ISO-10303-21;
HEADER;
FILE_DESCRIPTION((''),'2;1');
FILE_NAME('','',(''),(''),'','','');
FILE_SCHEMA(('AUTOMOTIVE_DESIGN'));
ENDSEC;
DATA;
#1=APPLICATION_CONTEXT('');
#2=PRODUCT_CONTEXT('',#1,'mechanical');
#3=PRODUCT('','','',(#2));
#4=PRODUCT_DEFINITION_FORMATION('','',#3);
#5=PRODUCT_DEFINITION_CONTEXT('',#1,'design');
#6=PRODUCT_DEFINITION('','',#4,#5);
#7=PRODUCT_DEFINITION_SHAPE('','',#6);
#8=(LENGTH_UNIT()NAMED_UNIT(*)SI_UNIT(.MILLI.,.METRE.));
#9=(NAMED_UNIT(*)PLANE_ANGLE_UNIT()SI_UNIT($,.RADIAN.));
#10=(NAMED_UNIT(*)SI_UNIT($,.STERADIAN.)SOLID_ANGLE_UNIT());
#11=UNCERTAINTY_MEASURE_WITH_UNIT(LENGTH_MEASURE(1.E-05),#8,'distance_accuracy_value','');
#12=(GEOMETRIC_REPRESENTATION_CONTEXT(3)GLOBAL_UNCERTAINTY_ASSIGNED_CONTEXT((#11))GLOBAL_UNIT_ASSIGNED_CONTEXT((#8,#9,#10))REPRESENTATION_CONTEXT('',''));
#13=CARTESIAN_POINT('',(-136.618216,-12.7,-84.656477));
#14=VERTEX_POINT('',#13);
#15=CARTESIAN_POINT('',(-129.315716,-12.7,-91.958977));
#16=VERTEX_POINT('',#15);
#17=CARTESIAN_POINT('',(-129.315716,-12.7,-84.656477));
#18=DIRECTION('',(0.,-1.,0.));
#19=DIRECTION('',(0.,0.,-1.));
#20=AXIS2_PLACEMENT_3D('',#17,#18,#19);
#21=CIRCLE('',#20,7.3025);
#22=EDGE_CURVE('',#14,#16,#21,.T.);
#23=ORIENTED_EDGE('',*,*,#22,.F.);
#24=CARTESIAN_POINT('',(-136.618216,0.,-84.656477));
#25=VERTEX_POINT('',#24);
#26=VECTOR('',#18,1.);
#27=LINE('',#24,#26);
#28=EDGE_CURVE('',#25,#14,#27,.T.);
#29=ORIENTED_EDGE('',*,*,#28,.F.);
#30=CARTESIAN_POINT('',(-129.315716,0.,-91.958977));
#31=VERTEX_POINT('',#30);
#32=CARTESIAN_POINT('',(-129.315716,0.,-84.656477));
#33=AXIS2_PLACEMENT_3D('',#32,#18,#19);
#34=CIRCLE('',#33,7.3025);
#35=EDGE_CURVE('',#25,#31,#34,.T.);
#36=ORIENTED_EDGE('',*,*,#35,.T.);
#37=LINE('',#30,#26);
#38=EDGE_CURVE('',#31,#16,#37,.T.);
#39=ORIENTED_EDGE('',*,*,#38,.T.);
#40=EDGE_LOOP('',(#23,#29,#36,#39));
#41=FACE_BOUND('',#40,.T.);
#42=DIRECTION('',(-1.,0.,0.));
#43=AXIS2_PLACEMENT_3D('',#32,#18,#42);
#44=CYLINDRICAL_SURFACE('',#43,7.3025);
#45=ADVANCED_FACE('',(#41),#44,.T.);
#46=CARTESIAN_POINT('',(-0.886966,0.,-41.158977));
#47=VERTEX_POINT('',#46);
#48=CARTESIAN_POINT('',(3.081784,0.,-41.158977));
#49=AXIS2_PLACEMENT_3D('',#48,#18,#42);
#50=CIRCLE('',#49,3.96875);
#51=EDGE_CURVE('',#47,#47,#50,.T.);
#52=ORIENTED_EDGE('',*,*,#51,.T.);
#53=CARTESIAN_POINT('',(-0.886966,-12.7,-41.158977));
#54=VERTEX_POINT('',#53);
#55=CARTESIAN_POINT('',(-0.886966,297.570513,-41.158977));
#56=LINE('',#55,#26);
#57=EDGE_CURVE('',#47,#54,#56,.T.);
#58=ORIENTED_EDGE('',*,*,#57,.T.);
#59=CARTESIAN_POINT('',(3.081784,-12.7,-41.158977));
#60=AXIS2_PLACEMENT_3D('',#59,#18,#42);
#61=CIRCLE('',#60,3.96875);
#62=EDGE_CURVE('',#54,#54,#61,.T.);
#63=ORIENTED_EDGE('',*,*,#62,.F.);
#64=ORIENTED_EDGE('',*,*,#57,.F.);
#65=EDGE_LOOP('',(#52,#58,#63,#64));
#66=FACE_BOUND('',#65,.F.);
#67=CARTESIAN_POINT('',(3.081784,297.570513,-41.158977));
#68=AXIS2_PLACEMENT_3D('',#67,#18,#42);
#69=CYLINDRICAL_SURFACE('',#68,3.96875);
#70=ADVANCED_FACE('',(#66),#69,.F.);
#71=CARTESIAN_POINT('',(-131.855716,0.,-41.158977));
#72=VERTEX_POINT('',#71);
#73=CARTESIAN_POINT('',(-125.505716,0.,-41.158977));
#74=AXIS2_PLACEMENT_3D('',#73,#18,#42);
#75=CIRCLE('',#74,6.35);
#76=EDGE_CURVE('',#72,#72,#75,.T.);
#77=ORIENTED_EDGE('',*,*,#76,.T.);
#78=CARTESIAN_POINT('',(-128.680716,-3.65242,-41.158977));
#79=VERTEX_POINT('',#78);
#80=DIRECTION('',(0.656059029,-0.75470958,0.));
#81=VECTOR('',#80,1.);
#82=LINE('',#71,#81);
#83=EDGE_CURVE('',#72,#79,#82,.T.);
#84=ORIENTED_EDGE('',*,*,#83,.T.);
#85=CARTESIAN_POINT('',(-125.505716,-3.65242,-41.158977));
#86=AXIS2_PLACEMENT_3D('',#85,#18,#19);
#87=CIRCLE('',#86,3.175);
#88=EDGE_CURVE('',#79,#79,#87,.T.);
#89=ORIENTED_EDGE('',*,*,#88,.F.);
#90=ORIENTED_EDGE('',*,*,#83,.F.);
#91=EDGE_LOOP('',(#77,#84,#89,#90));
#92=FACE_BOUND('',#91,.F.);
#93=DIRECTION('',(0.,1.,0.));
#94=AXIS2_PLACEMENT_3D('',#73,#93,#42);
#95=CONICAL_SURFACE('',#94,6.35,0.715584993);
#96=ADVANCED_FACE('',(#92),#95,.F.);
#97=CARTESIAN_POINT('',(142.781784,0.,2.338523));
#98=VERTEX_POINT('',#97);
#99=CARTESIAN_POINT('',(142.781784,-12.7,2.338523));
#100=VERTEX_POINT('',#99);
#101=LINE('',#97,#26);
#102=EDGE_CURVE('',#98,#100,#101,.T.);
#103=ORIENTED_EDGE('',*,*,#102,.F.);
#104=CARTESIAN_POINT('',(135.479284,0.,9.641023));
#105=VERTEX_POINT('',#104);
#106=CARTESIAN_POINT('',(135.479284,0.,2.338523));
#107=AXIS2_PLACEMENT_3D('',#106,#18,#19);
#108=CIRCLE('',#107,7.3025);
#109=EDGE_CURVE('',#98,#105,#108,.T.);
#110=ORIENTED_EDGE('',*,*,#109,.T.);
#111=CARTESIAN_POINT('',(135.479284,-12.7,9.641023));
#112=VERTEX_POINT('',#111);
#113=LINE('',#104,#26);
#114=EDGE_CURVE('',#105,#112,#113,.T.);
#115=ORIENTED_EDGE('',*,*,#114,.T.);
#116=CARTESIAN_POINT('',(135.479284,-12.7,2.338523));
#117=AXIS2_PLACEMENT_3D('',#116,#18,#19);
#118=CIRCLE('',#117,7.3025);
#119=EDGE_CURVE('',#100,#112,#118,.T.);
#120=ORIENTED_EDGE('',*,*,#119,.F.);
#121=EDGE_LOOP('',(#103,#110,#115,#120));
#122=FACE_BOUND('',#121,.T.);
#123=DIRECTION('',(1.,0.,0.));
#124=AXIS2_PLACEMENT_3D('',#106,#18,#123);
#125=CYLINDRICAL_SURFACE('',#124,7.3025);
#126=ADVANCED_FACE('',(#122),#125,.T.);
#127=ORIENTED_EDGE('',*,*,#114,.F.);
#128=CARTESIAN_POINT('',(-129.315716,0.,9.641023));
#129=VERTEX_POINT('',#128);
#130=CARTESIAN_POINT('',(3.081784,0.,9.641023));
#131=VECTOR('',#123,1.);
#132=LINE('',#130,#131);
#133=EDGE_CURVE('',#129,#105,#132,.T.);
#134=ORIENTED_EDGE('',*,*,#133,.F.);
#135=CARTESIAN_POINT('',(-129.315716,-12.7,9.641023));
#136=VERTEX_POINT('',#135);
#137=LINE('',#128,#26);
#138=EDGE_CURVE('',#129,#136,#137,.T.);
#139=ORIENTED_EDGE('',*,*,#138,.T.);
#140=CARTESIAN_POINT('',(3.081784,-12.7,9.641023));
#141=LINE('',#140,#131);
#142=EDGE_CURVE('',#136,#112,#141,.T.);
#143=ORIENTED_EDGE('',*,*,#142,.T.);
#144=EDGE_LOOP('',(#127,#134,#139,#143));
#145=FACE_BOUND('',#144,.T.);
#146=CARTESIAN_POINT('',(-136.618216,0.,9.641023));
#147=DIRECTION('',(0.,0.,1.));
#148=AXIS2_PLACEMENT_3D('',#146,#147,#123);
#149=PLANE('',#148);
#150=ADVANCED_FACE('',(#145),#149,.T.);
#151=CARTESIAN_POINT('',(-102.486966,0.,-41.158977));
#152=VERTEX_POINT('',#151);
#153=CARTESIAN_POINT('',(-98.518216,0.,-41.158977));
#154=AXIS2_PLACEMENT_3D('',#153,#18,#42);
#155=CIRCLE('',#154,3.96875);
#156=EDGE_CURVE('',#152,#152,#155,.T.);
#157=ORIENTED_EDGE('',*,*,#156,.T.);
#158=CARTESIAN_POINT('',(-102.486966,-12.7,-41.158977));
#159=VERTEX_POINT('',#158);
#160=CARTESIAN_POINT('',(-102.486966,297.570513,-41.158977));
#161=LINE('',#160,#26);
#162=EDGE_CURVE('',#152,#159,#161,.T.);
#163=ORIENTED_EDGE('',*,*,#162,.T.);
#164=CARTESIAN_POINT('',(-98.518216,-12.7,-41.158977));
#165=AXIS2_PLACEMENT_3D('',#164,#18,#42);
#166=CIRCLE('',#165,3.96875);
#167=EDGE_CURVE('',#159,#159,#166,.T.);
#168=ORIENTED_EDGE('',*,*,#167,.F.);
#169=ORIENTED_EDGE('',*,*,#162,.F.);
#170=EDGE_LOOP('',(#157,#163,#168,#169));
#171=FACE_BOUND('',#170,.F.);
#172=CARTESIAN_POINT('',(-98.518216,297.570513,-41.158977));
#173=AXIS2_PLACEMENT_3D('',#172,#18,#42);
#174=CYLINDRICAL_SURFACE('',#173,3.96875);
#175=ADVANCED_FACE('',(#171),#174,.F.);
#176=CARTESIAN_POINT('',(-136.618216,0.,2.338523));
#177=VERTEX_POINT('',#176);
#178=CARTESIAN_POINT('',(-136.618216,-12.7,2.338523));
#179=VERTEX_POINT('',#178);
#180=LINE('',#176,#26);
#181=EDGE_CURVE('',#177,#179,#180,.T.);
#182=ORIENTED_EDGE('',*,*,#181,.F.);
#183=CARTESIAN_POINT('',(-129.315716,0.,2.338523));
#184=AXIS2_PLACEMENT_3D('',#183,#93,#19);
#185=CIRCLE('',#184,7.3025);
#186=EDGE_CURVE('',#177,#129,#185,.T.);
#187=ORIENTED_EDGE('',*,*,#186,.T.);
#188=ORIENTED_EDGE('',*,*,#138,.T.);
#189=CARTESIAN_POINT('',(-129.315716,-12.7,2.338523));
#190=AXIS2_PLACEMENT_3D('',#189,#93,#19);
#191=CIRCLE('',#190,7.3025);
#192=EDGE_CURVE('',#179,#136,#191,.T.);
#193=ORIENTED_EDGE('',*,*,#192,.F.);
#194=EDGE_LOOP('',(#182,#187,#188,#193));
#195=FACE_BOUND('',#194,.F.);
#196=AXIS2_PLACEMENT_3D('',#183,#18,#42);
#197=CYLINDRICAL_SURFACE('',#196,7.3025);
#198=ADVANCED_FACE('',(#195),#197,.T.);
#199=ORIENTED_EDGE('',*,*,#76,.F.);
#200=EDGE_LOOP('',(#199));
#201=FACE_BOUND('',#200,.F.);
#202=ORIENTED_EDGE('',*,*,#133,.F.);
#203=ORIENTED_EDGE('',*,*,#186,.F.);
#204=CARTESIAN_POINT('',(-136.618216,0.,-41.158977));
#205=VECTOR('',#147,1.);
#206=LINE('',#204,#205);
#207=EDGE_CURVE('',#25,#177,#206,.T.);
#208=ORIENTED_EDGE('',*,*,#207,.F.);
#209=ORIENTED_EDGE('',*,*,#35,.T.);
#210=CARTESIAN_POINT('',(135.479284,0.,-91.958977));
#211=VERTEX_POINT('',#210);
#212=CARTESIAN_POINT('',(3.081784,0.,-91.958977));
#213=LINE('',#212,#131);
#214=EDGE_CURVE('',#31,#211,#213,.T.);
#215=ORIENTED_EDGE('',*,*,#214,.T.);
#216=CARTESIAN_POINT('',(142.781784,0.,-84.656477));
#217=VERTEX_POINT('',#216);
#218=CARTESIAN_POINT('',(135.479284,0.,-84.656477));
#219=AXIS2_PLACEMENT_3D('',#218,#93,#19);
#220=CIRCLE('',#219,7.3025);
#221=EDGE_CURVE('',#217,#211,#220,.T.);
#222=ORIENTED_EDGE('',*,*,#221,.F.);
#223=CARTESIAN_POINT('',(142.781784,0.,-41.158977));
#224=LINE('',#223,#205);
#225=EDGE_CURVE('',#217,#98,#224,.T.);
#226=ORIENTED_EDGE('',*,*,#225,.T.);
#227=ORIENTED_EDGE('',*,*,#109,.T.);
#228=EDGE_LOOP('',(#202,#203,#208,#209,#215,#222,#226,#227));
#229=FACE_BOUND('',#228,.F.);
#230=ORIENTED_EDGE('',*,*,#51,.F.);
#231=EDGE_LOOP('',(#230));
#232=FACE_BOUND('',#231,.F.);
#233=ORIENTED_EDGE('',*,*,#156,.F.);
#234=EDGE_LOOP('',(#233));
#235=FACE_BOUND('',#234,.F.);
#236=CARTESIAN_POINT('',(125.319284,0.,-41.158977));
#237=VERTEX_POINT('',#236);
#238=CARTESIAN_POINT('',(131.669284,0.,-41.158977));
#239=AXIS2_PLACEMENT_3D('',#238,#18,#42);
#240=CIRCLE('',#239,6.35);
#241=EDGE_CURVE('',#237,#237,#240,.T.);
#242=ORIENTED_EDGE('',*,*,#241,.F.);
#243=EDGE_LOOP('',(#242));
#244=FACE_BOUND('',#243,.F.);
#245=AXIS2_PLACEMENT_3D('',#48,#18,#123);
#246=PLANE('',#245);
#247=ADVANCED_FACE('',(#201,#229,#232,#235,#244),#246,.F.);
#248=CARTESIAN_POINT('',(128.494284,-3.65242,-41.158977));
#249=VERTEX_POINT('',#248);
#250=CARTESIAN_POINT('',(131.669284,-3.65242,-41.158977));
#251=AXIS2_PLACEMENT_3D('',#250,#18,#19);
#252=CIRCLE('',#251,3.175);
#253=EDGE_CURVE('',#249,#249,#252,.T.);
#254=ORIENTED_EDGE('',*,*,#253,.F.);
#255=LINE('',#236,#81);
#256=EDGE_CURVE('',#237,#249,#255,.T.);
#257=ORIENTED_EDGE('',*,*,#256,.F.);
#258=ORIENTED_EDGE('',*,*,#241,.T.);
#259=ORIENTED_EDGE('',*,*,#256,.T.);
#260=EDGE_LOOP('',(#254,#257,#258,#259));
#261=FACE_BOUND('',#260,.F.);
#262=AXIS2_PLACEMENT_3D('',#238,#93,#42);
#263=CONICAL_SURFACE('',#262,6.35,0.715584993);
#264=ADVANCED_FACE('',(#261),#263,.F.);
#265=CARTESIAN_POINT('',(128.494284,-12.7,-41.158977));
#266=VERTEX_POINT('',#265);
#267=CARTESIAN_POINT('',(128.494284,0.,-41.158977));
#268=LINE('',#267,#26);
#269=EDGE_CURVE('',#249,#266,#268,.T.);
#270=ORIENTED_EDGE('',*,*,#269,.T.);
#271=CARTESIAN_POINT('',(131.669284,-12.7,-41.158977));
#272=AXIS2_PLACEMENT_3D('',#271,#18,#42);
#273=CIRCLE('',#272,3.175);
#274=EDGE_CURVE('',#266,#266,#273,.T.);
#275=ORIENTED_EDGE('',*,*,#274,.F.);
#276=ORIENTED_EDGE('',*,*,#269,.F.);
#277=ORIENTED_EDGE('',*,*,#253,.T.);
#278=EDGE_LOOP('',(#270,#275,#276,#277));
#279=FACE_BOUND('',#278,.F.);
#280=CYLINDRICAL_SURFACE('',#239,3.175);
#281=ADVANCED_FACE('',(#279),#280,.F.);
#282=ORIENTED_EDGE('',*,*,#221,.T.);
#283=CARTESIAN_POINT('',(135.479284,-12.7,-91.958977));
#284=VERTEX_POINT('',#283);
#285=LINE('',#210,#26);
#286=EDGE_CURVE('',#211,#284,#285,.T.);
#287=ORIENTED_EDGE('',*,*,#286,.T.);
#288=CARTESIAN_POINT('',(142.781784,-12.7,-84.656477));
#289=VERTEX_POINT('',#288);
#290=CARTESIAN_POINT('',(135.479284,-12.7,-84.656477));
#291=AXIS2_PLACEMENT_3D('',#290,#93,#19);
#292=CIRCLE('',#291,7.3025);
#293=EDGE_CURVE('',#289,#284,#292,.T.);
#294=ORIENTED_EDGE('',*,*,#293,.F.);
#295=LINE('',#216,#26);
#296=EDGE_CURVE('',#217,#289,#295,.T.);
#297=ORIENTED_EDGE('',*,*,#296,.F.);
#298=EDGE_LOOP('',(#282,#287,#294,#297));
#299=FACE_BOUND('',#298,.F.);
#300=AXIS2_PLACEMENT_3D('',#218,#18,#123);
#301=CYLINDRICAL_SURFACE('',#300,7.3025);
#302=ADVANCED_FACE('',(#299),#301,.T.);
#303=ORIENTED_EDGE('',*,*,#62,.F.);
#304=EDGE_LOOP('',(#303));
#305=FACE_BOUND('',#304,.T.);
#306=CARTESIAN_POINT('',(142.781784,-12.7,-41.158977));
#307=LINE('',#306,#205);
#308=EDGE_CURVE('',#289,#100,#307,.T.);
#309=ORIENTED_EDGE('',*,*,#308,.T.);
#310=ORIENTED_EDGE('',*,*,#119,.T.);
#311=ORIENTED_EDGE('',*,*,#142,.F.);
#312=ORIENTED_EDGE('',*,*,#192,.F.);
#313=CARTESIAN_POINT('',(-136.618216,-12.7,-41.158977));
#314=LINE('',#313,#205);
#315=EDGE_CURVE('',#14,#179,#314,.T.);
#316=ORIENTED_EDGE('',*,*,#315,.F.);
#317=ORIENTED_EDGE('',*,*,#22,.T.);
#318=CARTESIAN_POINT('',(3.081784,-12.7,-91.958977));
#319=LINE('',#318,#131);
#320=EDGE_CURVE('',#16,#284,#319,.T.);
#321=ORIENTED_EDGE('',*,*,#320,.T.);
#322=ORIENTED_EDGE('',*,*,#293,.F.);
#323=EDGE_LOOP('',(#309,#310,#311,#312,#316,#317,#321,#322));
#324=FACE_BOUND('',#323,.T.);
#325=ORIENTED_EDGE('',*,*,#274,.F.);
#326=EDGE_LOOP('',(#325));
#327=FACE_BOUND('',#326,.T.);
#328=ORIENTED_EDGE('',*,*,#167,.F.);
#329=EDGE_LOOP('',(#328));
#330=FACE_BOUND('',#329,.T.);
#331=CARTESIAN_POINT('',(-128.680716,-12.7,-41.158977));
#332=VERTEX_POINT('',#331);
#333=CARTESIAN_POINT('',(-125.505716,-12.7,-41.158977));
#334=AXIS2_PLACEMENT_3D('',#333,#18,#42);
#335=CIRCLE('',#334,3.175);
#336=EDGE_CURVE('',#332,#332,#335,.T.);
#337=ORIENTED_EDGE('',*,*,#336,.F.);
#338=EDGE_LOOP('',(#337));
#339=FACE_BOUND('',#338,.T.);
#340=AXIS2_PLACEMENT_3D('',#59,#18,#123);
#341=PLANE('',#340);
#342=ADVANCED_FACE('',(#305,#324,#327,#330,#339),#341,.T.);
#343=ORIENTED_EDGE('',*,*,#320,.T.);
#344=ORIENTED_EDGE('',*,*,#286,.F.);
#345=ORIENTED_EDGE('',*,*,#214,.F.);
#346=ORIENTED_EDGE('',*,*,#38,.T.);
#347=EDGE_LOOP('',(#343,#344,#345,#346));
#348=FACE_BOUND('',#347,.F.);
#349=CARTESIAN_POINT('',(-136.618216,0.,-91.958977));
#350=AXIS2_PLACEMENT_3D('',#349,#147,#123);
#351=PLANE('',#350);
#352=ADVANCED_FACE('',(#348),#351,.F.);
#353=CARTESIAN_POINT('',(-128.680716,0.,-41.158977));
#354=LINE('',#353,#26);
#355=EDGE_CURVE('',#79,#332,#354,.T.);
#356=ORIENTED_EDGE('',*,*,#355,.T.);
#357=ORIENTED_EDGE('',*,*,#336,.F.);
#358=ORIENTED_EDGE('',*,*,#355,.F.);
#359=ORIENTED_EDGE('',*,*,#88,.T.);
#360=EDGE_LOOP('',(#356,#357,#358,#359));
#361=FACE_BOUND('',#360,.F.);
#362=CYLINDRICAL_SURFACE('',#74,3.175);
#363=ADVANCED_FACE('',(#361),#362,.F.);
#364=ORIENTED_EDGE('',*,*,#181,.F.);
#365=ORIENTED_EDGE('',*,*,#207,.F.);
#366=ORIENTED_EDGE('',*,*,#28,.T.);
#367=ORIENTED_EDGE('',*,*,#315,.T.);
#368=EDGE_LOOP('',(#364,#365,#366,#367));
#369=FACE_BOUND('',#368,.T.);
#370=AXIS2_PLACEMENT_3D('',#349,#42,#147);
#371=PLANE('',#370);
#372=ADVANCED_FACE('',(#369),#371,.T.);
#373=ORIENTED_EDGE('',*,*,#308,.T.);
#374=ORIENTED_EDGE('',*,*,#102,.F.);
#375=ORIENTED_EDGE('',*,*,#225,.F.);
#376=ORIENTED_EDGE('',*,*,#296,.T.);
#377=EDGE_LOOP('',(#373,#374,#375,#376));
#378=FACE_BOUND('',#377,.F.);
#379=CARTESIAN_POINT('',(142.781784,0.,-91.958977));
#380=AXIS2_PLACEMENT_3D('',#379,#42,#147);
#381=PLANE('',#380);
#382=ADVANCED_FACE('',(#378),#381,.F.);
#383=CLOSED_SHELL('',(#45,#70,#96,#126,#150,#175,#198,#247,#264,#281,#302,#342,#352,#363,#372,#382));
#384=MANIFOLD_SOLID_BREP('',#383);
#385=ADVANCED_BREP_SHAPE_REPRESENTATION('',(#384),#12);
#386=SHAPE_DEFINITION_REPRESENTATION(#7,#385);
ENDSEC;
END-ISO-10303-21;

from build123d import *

# Parameters (mm, degrees)
F0_W           = 279.4
F0_H           = 101.6
F1_DEPTH       = 12.7
F2_D           = 7.9375
F3_D           = 6.35
F3_CSINK_D     = 12.7
F3_CSINK_ANGLE = 82
F4_R           = 7.3025


with BuildPart() as f1:
    # F0 (on Front) → F1 (new body)
    with BuildSketch(Plane.XZ):
        with Locations((3.0817836523, -41.158976573)):
            Rectangle(F0_W, F0_H)
    extrude(amount=F1_DEPTH)

    # F2 (through all)
    with Locations(Plane(origin=(0, 0, 0), x_dir=(1, 0, 0), z_dir=(0, 1, 0))):
        with Locations((-98.5182163477, 41.158976573), (3.0817836523, 41.158976573)):
            Hole(F2_D / 2)

    # F3 (through all)
    with Locations(Plane(origin=(0, 0, 0), x_dir=(1, 0, 0), z_dir=(0, 1, 0))):
        with Locations((-125.5057163477, 41.158976573), (131.6692836523, 41.158976573)):
            CounterSinkHole(F3_D / 2, F3_CSINK_D / 2, counter_sink_angle=F3_CSINK_ANGLE)

    # F4
    f4_edges = [f1.edges().sort_by_distance(p)[0] for p in [
        (142.781784, -6.35, 9.641023),
        (-136.618216, -6.35, 9.641023),
        (-136.618216, -6.35, -91.958977),
        (142.781784, -6.35, -91.958977),
    ]]
    fillet(f4_edges, radius=F4_R)


solid = f1.part
